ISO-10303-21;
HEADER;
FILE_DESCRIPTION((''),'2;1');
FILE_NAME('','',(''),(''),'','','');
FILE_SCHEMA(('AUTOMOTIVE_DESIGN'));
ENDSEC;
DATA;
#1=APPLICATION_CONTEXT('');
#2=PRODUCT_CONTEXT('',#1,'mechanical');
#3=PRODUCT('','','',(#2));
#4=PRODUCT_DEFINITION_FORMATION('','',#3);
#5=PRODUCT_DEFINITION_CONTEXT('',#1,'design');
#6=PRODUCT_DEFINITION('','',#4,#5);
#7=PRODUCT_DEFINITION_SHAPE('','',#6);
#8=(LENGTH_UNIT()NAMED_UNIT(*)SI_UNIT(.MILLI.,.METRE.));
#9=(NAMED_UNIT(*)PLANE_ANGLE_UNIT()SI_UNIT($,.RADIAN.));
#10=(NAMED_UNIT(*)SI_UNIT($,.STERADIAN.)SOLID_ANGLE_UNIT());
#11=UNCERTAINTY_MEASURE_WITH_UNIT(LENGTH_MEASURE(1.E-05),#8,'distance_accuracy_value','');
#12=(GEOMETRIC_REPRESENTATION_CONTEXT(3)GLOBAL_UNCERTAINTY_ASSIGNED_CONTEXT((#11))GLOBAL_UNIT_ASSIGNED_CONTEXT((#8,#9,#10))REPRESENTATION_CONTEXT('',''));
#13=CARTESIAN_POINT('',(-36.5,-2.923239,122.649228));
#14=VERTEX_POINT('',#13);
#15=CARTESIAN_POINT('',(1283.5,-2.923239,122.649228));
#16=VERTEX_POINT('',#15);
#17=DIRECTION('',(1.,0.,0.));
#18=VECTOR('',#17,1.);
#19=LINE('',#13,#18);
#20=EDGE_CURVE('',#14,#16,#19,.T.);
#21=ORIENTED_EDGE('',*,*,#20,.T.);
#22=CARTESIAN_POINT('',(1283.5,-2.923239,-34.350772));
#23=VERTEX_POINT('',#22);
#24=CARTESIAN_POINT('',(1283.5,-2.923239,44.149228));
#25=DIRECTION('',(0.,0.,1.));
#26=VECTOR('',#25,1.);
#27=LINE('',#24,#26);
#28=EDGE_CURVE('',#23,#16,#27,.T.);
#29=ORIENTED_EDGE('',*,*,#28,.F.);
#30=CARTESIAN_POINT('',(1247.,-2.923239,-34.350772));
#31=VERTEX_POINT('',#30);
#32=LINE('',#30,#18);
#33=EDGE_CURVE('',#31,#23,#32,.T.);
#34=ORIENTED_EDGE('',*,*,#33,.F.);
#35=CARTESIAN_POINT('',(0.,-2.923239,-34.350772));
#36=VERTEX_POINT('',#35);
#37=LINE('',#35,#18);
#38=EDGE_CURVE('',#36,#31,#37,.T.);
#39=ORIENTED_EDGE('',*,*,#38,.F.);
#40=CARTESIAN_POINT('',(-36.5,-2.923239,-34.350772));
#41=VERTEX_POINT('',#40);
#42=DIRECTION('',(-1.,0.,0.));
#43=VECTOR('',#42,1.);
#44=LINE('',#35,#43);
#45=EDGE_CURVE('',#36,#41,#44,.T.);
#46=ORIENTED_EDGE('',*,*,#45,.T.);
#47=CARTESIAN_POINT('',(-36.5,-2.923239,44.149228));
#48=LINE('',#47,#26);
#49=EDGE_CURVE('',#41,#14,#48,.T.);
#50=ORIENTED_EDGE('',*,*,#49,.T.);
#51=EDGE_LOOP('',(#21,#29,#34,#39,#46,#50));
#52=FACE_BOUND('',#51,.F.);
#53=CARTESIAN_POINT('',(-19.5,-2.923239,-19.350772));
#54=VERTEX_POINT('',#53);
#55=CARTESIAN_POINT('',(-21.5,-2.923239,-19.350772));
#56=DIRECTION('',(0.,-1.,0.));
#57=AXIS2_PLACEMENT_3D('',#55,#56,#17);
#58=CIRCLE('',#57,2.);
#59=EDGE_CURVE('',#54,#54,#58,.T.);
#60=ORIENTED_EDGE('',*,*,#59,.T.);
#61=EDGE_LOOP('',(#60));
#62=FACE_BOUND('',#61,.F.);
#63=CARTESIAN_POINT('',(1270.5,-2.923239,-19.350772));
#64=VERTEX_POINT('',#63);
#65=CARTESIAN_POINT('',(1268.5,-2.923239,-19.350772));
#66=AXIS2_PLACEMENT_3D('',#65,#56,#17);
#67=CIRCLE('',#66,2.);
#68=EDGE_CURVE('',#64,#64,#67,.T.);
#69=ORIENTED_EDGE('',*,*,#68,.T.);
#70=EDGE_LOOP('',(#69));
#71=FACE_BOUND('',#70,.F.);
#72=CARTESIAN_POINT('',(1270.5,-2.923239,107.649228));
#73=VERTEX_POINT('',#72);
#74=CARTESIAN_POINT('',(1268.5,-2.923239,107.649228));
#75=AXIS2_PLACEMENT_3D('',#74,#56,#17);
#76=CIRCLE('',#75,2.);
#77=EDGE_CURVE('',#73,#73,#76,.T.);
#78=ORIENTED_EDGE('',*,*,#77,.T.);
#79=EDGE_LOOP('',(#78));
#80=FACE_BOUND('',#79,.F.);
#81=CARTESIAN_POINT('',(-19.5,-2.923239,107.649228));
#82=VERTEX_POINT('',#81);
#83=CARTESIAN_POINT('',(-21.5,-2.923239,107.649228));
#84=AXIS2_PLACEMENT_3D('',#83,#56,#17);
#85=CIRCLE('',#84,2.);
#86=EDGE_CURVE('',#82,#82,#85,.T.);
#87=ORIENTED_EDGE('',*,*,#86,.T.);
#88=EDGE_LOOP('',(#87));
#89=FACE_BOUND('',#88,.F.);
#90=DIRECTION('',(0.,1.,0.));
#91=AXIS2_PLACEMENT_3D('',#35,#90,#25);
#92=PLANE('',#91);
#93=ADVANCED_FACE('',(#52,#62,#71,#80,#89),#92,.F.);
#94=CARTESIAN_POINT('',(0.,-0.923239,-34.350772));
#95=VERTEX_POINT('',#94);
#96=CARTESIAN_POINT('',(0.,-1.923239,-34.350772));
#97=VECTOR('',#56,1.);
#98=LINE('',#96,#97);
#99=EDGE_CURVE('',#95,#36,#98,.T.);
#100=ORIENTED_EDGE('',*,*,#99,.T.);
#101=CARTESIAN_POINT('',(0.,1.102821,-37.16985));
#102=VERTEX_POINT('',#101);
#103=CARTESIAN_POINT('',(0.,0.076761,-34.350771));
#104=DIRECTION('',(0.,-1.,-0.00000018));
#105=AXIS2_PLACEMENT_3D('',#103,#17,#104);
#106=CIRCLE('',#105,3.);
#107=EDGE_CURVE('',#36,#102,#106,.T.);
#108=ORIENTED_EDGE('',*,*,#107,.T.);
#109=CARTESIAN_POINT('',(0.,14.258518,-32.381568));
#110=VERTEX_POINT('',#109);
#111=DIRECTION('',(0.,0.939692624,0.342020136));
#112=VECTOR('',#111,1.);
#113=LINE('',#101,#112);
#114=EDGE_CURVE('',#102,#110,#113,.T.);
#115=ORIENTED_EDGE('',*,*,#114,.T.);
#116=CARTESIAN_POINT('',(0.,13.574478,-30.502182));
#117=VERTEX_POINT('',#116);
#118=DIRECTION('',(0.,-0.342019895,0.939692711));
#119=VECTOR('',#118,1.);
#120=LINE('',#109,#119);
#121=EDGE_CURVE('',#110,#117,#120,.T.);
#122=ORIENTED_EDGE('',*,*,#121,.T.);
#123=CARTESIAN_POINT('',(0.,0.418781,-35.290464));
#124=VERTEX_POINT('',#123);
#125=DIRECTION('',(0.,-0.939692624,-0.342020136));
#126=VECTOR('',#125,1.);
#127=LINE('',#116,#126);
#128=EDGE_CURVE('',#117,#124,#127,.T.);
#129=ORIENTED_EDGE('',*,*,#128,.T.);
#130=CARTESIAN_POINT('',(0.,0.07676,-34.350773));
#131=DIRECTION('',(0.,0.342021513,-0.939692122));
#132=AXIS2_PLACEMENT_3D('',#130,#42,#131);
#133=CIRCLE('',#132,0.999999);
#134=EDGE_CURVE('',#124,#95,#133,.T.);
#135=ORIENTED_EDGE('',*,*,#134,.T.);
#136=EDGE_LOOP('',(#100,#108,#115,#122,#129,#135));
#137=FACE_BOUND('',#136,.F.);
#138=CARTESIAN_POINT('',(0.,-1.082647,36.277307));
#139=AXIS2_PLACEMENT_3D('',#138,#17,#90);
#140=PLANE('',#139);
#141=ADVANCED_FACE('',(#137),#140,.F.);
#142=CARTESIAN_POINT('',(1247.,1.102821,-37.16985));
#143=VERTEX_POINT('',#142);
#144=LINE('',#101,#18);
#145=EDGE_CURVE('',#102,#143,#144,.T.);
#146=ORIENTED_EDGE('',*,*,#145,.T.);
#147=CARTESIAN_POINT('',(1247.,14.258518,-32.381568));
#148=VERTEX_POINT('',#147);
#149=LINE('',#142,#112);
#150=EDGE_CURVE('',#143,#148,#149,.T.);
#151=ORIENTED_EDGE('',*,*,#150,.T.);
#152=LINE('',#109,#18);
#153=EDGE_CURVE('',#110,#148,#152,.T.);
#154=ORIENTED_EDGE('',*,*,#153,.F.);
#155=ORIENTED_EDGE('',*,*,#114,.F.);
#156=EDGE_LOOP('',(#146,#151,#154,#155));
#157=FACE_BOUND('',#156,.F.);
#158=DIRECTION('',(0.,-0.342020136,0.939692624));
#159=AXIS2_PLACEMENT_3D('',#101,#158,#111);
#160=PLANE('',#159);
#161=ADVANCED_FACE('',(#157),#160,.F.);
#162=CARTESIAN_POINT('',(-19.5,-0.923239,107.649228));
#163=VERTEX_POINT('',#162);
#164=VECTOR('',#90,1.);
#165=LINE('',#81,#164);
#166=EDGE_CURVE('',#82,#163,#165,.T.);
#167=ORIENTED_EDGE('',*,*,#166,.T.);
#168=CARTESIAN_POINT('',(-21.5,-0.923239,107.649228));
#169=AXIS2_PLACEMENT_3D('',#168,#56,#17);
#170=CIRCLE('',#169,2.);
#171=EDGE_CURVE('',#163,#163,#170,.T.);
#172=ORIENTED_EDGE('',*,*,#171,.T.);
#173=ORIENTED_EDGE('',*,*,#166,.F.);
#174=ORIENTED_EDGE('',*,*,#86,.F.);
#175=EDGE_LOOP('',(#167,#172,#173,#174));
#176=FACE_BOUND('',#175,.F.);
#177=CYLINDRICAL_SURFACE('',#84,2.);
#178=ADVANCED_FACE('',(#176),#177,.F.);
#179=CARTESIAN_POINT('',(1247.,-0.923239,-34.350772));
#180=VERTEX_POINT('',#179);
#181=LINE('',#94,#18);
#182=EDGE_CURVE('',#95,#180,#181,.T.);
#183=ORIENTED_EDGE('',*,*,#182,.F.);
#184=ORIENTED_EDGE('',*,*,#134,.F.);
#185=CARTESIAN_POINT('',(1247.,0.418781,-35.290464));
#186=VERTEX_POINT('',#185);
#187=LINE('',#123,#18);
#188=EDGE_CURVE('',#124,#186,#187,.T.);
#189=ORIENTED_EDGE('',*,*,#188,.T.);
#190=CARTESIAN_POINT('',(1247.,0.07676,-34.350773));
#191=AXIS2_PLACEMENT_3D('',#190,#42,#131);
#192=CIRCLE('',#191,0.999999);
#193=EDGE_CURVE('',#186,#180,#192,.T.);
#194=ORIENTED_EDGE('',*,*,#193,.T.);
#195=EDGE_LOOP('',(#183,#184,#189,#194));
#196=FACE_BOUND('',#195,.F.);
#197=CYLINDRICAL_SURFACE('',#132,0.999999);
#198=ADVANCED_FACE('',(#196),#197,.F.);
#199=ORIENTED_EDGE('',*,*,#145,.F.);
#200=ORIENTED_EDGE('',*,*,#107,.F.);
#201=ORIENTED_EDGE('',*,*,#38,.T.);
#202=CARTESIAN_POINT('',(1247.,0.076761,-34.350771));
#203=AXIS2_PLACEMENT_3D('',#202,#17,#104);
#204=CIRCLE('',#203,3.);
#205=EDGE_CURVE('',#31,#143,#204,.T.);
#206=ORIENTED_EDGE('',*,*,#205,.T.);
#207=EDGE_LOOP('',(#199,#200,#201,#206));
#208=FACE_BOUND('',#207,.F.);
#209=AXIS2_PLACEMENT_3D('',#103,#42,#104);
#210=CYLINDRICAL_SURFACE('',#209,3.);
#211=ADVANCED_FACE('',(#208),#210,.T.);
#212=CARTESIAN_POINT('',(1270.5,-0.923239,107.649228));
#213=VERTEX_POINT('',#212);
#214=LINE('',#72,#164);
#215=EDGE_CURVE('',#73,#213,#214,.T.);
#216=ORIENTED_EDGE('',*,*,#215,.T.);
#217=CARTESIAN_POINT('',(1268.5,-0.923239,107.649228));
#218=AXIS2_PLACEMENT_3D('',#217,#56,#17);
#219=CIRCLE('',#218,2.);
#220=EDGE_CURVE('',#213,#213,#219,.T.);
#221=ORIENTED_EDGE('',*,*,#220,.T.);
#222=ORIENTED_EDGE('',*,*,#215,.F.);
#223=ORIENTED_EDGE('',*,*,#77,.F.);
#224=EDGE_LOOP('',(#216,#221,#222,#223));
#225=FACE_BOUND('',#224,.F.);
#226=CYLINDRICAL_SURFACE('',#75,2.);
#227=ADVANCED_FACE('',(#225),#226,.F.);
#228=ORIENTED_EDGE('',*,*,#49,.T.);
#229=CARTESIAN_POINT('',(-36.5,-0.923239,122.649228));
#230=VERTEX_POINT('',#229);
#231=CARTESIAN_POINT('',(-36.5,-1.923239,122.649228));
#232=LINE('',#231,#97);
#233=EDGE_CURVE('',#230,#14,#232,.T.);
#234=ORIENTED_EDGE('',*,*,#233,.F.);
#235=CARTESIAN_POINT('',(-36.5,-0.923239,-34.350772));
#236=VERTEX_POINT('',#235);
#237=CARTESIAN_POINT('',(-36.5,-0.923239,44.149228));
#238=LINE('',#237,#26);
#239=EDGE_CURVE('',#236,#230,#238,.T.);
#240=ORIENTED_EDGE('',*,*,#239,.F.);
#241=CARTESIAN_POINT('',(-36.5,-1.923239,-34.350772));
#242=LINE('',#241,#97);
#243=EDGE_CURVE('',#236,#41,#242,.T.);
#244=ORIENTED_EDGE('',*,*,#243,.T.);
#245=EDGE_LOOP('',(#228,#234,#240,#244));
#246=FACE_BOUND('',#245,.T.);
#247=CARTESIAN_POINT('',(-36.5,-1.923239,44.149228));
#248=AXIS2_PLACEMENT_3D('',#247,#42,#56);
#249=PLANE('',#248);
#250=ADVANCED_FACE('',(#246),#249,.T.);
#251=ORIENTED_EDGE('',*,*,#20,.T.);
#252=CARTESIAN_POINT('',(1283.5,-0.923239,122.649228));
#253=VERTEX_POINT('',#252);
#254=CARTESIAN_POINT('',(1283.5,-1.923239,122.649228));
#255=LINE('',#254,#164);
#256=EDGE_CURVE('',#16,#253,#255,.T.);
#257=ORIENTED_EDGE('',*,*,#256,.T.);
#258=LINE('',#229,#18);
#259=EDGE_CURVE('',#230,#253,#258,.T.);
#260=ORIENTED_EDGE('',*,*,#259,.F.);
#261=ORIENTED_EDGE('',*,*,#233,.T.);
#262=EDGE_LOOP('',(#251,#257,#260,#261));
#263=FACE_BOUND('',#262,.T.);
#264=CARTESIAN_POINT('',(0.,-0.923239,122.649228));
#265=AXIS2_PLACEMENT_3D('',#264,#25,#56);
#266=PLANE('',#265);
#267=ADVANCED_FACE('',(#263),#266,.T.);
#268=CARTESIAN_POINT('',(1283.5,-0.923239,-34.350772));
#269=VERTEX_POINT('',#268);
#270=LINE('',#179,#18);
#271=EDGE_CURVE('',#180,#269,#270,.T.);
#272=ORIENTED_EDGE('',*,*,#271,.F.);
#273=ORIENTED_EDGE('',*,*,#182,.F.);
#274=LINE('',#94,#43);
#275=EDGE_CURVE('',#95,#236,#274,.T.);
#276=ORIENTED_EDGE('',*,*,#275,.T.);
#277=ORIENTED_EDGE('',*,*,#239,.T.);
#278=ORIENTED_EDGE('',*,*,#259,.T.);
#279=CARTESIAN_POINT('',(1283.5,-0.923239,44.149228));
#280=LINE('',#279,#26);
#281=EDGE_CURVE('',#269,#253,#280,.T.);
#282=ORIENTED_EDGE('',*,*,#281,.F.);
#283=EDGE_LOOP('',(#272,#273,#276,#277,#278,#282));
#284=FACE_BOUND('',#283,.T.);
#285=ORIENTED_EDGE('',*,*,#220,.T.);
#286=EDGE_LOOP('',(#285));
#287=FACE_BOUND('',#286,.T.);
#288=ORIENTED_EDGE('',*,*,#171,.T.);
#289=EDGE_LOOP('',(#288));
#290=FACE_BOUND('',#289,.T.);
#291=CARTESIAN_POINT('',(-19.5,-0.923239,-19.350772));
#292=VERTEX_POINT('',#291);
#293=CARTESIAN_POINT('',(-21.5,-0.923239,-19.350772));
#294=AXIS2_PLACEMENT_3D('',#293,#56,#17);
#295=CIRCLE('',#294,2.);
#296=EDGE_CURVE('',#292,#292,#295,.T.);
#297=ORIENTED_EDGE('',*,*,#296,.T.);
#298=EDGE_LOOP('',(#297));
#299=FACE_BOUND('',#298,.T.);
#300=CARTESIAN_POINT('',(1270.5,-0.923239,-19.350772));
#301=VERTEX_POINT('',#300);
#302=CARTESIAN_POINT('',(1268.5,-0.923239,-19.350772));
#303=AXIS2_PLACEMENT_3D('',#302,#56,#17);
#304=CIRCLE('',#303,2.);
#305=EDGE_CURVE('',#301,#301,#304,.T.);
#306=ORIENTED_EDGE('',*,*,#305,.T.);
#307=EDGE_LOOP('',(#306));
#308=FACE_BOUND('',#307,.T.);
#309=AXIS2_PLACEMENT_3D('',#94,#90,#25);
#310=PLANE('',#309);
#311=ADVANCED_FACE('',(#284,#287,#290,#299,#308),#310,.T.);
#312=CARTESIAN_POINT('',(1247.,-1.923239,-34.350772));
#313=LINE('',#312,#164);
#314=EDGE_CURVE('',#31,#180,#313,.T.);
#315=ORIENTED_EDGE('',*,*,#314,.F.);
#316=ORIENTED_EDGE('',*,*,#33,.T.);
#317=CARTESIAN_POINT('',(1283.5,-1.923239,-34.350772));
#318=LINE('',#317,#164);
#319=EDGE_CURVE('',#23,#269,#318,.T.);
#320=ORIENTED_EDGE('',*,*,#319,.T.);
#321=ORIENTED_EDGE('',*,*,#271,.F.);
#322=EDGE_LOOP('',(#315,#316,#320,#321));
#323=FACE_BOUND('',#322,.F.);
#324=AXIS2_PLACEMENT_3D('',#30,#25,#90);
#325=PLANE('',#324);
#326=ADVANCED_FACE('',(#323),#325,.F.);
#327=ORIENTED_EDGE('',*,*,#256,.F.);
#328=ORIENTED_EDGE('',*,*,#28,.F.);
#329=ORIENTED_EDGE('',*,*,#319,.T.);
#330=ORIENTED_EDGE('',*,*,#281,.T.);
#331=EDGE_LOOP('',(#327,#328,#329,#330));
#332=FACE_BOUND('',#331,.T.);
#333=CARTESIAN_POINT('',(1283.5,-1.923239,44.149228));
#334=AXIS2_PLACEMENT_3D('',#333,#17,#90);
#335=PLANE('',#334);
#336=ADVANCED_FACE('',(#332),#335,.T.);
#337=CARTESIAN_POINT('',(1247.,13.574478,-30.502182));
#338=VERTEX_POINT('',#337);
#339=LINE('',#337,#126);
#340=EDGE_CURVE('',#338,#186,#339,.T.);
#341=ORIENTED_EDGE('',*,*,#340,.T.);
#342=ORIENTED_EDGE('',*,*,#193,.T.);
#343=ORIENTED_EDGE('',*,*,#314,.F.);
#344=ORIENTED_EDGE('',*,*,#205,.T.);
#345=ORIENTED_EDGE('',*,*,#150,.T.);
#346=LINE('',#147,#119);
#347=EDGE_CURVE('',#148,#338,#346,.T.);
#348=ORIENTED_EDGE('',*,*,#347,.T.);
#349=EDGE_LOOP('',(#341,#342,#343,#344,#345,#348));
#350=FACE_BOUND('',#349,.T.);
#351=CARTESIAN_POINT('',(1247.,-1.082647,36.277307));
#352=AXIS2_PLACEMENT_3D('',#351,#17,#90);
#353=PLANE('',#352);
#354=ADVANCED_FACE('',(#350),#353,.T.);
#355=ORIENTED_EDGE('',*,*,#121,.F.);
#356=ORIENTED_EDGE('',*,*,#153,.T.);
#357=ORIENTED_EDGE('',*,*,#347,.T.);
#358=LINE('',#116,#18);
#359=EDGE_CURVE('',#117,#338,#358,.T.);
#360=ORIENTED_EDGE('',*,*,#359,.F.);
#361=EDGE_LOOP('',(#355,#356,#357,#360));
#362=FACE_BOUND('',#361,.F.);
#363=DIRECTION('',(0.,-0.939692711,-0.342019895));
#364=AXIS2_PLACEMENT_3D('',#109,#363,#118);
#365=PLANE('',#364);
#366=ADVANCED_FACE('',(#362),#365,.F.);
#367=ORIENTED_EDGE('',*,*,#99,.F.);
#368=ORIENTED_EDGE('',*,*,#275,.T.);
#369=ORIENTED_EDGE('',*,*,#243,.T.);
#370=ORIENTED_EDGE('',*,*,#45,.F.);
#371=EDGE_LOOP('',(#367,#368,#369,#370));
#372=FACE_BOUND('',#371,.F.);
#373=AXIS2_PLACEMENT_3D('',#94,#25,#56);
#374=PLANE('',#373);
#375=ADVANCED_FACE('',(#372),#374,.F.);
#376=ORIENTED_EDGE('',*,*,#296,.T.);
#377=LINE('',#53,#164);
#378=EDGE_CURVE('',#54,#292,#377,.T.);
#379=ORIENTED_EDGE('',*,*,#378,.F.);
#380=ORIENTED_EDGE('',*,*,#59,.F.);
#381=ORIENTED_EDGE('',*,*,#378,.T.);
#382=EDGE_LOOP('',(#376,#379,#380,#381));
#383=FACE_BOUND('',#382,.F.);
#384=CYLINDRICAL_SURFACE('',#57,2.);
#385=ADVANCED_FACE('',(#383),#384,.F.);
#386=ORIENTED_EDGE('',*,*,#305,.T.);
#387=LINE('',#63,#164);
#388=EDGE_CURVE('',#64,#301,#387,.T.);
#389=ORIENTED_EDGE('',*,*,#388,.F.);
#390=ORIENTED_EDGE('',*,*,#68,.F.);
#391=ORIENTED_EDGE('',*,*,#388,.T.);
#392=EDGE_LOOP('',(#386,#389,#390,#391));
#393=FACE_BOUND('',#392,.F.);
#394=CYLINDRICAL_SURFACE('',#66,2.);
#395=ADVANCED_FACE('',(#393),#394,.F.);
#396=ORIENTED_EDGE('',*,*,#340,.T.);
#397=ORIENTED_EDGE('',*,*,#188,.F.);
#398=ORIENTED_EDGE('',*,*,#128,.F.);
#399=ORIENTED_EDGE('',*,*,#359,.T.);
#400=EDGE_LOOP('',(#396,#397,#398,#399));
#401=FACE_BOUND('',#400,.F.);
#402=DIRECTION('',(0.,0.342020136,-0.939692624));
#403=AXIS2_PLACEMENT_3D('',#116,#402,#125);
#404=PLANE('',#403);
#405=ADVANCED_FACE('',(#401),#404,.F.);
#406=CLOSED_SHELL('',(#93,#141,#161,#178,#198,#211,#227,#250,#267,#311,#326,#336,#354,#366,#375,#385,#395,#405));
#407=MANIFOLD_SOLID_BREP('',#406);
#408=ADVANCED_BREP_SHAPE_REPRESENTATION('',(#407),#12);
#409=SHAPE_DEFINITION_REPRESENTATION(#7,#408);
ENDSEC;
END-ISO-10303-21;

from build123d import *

# Parameters (mm, degrees)
F1_DEPTH = 1247
F2_W     = 2
F2_H     = 157
F3_DEPTH = 36.5
F4_W     = 2
F4_H     = 157
F5_DEPTH = 36.5
F6_R     = 2
F7_DEPTH = 17.182757


with BuildPart() as f1:
    # F0 (on Right) → F1 (new body)
    with BuildSketch(Plane.YZ):
        with BuildLine():
            Line((-0.923239, 122.649228), (-2.923239, 122.649228))
            Line((-2.923239, 122.649228), (-2.923239, -34.350772))
            ThreePointArc((-2.923239, -34.350772), (-1.643968, -36.808228), (1.102821, -37.16985))
            Line((1.102821, -37.16985), (14.258518, -32.381568))
            Line((14.258518, -32.381568), (13.574478, -30.502182))
            Line((13.574478, -30.502182), (0.418781, -35.290464))
            ThreePointArc((0.418781, -35.290464), (-0.496816, -35.169924), (-0.923239, -34.350772))
            Line((-0.923239, -34.350772), (-0.923239, 122.649228))
        make_face()
    extrude(amount=F1_DEPTH)

    # F2 (on face) → F3 (join)
    with BuildSketch(Plane.YZ.offset(1247)):
        with Locations((-1.923239, 44.149228)):
            Rectangle(F2_W, F2_H)
    extrude(amount=F3_DEPTH)

    # F4 (on face) → F5 (join)
    with BuildSketch(Plane(origin=(0, 0, 0), x_dir=(0, -1, 0), z_dir=(-1, 0, 0))):
        with Locations((1.923239, 44.149228)):
            Rectangle(F4_W, F4_H)
    extrude(amount=F5_DEPTH)

    # F6 (on face) → F7 (cut, through all)
    with BuildSketch(Plane.XZ.offset(2.923239)):
        with Locations((-21.5, 107.649228)):
            Circle(F6_R)
        with Locations((-21.5, -19.350772)):
            Circle(F6_R)
        with Locations((1268.5, 107.649228)):
            Circle(F6_R)
        with Locations((1268.5, -19.350772)):
            Circle(F6_R)
    extrude(amount=-F7_DEPTH, mode=Mode.SUBTRACT)


solid = f1.part
